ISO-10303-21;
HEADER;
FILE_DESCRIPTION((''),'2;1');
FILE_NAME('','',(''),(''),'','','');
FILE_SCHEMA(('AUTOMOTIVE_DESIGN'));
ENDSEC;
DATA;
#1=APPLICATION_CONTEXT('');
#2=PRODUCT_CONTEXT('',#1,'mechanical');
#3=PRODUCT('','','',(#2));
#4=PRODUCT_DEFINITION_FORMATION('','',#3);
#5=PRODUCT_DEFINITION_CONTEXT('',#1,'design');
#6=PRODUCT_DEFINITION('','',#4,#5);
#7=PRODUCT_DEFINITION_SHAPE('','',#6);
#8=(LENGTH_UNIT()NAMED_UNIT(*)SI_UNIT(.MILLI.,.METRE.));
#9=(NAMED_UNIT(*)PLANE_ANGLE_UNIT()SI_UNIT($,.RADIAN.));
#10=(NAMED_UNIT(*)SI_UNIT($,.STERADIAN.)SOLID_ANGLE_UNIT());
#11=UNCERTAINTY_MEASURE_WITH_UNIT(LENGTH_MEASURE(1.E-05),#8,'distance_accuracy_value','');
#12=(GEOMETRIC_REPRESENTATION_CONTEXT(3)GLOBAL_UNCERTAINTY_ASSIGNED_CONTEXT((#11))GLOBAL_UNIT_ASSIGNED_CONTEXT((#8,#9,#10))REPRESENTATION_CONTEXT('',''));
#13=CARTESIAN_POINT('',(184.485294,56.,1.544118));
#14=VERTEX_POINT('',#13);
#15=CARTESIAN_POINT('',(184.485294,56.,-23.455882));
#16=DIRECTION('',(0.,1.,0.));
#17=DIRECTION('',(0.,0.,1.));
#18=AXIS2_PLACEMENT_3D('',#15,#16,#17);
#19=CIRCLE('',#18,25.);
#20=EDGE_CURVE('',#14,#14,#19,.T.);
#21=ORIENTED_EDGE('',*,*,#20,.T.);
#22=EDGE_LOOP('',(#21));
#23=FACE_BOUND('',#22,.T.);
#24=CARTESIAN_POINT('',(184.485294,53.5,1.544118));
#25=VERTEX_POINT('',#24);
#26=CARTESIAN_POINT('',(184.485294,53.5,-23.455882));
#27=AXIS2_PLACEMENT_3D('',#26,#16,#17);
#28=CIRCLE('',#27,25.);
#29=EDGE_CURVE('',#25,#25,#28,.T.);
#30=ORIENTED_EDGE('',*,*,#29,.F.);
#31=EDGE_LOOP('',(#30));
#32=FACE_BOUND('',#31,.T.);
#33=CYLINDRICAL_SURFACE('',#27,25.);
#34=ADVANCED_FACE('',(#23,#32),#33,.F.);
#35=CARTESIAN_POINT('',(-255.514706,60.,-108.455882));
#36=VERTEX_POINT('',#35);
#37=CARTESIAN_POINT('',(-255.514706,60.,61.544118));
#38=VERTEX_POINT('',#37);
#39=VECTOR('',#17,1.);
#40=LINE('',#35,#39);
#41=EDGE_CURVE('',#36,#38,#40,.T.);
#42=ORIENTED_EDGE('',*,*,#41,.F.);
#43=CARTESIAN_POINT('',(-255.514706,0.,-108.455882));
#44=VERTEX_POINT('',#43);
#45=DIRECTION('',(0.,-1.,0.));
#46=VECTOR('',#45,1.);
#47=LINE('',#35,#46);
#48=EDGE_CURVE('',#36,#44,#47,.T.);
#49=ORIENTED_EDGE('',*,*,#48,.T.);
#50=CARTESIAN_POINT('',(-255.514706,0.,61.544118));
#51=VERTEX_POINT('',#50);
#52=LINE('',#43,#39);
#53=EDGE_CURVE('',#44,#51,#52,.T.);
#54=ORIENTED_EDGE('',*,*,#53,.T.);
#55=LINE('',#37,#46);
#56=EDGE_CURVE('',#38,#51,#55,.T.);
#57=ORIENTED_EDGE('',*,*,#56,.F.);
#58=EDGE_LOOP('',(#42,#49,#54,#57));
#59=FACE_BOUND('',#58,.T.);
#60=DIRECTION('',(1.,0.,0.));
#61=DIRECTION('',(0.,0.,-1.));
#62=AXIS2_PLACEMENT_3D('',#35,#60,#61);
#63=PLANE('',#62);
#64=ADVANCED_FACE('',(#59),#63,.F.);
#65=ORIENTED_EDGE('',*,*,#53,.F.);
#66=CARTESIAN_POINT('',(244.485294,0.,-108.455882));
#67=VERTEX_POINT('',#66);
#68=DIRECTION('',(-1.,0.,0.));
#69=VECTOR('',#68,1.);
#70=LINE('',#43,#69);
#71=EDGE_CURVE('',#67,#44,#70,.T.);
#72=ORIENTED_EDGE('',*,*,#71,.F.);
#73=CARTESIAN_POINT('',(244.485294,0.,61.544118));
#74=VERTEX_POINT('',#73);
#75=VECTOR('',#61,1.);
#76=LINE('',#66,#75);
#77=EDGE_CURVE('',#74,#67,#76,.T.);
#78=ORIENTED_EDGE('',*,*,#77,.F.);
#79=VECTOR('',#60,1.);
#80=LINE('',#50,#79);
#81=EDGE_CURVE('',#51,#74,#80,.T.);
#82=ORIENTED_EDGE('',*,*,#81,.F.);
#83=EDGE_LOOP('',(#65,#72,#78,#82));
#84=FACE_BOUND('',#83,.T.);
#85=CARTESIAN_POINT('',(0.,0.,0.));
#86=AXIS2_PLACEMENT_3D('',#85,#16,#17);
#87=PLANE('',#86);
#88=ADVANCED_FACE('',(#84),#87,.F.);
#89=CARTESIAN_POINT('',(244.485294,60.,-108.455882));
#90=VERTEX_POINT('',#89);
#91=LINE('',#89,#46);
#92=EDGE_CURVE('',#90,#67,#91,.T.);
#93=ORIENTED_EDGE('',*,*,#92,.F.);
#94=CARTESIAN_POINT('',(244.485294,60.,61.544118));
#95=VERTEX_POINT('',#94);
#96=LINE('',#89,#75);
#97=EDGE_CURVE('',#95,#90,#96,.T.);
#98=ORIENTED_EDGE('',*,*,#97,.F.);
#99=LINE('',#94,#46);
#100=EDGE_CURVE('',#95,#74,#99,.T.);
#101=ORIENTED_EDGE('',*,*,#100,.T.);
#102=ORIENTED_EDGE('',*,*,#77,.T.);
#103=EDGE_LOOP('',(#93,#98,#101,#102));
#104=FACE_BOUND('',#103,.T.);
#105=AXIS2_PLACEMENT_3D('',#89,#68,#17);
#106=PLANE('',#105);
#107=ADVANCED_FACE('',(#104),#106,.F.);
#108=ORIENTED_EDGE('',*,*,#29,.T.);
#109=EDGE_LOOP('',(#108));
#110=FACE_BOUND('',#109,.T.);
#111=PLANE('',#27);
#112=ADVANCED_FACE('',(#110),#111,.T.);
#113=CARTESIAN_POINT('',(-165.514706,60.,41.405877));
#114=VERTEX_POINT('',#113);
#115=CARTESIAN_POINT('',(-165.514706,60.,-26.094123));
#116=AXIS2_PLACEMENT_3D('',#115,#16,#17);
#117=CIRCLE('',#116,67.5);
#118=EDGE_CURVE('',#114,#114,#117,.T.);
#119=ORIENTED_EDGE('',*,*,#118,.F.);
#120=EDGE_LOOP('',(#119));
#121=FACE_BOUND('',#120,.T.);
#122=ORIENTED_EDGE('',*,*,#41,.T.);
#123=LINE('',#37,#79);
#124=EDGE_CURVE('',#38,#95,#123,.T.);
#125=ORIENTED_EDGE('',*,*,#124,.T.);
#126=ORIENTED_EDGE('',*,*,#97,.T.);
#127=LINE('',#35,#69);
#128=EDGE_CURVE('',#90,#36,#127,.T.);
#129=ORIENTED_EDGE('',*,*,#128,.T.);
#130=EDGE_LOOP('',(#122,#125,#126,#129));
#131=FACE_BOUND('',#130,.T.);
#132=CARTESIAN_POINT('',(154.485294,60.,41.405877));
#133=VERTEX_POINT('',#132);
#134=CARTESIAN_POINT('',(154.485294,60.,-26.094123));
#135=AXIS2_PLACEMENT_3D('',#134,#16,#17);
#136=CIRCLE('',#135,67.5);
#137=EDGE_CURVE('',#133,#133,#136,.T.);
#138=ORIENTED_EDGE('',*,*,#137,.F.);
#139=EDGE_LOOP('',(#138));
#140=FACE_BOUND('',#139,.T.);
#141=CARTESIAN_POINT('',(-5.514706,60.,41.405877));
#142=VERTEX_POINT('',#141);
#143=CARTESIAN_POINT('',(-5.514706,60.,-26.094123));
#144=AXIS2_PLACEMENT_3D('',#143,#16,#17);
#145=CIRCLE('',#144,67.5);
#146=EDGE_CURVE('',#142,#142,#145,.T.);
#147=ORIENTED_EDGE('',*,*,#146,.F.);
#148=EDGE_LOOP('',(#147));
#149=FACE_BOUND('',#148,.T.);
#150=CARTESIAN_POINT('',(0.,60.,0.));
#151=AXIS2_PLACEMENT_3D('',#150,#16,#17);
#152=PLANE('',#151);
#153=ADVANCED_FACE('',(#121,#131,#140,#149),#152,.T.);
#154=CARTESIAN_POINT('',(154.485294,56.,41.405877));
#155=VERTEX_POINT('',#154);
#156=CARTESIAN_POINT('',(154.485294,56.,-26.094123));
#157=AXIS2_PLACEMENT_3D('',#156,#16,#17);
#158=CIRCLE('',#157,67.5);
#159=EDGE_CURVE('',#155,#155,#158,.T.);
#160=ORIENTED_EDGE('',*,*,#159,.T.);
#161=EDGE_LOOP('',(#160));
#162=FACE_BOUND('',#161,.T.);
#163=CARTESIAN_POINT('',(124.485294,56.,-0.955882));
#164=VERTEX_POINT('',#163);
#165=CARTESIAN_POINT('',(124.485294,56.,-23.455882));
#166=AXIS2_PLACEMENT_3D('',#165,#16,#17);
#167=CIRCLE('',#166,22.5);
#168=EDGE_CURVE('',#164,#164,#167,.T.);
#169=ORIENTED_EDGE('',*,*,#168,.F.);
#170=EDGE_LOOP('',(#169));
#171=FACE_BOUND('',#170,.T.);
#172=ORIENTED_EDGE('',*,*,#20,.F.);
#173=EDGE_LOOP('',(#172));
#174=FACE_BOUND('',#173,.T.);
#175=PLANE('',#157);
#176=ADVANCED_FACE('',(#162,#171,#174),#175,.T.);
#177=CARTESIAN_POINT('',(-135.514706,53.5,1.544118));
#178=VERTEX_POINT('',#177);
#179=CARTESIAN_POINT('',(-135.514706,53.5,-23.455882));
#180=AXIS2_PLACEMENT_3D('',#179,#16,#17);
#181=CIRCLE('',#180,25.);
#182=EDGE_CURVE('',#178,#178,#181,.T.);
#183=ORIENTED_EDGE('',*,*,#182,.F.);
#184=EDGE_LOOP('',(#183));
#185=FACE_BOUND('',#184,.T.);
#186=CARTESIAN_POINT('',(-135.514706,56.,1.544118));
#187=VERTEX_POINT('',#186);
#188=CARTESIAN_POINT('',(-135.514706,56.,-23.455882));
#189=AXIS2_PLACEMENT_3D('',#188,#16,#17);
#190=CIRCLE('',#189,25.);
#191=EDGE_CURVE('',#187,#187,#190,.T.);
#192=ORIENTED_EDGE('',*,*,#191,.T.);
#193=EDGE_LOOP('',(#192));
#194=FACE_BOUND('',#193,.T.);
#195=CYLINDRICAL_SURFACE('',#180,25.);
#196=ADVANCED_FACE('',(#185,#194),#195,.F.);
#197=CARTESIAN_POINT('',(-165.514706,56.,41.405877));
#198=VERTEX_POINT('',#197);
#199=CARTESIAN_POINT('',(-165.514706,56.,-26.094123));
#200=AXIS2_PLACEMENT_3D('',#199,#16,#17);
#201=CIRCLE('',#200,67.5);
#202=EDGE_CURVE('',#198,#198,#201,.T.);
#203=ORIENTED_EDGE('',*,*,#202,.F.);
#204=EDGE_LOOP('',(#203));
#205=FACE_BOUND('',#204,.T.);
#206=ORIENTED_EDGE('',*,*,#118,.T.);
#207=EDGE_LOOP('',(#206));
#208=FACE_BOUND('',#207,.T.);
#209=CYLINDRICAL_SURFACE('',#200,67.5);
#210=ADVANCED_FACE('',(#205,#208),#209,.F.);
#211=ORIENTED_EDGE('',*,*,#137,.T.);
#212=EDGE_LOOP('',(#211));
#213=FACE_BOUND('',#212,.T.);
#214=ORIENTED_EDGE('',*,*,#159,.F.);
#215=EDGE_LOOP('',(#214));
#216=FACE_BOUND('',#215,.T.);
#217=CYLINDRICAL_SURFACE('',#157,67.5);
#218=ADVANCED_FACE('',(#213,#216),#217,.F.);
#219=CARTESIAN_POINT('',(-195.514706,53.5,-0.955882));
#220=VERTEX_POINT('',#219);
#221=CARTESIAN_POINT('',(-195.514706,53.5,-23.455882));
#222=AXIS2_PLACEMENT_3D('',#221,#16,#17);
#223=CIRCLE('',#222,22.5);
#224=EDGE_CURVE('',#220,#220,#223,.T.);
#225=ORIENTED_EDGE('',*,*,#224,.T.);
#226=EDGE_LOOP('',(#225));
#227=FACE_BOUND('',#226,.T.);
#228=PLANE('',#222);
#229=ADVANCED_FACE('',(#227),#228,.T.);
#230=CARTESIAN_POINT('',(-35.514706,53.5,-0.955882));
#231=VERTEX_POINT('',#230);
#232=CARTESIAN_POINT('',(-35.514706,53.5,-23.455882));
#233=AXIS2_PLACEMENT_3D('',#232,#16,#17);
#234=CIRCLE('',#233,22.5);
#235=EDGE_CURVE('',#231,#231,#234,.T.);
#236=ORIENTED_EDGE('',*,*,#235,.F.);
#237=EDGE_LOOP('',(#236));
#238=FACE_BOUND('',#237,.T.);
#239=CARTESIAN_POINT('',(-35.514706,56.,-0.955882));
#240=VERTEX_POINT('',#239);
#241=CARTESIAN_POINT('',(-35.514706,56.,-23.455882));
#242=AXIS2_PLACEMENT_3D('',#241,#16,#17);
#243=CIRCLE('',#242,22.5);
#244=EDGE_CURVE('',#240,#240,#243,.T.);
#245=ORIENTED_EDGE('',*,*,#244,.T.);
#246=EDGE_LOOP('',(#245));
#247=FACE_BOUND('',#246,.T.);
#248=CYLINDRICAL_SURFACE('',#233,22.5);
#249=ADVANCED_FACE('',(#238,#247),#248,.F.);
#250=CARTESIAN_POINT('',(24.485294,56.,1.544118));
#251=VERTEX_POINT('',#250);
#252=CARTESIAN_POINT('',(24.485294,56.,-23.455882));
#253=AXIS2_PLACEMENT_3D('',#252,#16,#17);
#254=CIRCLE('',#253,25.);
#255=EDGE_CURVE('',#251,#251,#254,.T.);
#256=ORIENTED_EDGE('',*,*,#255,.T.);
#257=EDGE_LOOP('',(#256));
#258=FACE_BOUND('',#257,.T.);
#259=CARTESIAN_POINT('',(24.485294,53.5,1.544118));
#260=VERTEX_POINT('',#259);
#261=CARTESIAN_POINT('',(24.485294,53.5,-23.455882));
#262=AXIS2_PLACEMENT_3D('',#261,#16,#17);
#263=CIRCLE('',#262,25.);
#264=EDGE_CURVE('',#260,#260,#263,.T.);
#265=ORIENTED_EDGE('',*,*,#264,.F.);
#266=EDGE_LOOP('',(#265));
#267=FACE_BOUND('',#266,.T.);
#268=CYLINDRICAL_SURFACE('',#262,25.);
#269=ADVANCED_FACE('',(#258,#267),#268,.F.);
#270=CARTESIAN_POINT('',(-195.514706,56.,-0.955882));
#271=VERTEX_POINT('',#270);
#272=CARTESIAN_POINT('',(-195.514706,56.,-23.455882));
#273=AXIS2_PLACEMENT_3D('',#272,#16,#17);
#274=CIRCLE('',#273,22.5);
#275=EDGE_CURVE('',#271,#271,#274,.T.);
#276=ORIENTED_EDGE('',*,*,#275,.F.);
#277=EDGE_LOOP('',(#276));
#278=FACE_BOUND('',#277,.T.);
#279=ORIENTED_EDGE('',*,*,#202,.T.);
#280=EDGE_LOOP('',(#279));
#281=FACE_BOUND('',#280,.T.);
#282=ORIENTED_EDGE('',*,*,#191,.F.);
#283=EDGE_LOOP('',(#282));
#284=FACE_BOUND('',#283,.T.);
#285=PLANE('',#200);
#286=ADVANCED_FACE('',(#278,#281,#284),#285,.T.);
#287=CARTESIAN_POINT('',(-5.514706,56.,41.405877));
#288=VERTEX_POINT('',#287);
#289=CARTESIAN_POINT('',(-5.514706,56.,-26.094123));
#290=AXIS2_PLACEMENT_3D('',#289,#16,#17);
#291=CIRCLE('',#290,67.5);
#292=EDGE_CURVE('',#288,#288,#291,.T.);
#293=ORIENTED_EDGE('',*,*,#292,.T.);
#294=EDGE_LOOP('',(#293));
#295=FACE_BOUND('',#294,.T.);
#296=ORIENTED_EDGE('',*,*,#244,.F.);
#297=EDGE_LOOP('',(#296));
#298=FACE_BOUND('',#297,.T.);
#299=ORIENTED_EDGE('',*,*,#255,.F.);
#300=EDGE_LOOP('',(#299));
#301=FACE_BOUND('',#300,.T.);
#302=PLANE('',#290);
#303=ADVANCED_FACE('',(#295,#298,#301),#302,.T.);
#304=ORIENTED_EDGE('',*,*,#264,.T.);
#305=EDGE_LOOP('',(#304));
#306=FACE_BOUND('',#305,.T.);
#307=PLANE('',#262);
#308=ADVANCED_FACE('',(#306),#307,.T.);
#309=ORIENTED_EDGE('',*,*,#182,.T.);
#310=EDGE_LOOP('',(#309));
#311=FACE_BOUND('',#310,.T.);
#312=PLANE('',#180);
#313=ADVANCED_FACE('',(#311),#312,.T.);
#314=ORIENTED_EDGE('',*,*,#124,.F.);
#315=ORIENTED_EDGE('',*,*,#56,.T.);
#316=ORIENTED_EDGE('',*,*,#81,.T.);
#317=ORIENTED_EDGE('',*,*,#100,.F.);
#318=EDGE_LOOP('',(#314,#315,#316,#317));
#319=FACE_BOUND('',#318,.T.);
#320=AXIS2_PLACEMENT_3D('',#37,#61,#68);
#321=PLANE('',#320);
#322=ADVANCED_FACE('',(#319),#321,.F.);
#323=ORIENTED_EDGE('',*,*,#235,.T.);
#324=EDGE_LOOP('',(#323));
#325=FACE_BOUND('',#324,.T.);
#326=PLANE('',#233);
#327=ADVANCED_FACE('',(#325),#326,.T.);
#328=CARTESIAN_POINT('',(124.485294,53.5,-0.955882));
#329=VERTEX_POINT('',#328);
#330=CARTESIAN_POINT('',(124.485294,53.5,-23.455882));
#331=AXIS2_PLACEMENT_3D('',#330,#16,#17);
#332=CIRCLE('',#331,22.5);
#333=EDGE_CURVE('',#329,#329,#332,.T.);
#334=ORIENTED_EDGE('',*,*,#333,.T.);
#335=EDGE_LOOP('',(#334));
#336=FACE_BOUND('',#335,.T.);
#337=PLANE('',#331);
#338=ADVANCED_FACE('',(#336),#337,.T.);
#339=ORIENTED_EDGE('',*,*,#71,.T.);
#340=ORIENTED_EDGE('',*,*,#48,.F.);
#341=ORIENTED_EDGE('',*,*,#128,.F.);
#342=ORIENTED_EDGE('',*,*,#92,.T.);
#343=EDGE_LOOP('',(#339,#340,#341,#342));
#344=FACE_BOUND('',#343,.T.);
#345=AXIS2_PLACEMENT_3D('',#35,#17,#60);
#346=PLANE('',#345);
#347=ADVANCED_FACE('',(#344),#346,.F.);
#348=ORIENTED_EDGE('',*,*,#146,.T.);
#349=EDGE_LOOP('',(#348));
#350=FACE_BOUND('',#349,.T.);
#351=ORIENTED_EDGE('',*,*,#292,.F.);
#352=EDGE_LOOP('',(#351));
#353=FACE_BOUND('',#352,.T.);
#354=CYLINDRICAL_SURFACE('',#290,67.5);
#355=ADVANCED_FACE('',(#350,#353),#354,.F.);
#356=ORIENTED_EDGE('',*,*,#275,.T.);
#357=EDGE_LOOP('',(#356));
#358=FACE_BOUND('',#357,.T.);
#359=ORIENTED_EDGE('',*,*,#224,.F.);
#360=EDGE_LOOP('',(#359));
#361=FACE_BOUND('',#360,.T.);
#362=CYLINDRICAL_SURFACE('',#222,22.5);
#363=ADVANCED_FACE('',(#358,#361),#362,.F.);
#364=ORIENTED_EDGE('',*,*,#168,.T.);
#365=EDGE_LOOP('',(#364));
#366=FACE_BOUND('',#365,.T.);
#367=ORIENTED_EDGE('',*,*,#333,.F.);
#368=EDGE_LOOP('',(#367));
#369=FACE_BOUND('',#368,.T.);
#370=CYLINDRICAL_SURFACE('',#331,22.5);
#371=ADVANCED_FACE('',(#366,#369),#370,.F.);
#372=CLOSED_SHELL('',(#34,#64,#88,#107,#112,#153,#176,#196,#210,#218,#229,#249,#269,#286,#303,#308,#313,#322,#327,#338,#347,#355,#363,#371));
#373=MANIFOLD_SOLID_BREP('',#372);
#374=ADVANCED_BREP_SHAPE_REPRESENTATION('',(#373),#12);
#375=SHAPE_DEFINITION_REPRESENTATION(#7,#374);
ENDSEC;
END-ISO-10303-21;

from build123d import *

# Parameters (mm, degrees)
SKETCH1_W           = 500
SKETCH1_H           = 170
BOSS_EXTRUDE1_DEPTH = 60
SKETCH3_R           = 67.5
CUT_EXTRUDE1_DEPTH  = 4
SKETCH4_R           = 25
SKETCH4_R_2         = 22.5
CUT_EXTRUDE2_DEPTH  = 2.5


with BuildPart() as part:
    # Sketch1 → Boss-Extrude1 (new body)
    with BuildSketch(Plane(origin=(0, 0, 0), x_dir=(1, 0, 0), z_dir=(0, 1, 0))):
        with Locations((-5.514705882, 23.455882353)):
            Rectangle(SKETCH1_W, SKETCH1_H)
    extrude(amount=BOSS_EXTRUDE1_DEPTH)

    # Sketch3 → Cut-Extrude1 (cut)
    with BuildSketch(Plane(origin=(0, 60, 0), x_dir=(1, 0, 0), z_dir=(0, 1, 0))):
        with Locations(Location((-5.514705882, 26.094123359, 0), (0, 0, 270))):
            Circle(SKETCH3_R)
        with Locations(Location((154.485294118, 26.094123359, 0), (0, 0, 270))):
            Circle(SKETCH3_R)
        with Locations(Location((-165.514705882, 26.094123359, 0), (0, 0, 270))):
            Circle(SKETCH3_R)
    extrude(amount=-CUT_EXTRUDE1_DEPTH, mode=Mode.SUBTRACT)

    # Sketch4 → Cut-Extrude2 (cut)
    with BuildSketch(Plane(origin=(0, 56, 0), x_dir=(1, 0, 0), z_dir=(0, 1, 0))):
        with Locations(Location((-135.514705882, 23.455882353, 0), (0, 0, 270))):
            Circle(SKETCH4_R)
        with Locations(Location((-195.514705882, 23.455882353, 0), (0, 0, 270))):
            Circle(SKETCH4_R_2)
        with Locations(Location((-35.514705882, 23.455882353, 0), (0, 0, 270))):
            Circle(SKETCH4_R_2)
        with Locations(Location((24.485294118, 23.455882353, 0), (0, 0, 270))):
            Circle(SKETCH4_R)
        with Locations(Location((124.485294118, 23.455882353, 0), (0, 0, 270))):
            Circle(SKETCH4_R_2)
        with Locations(Location((184.485294118, 23.455882353, 0), (0, 0, 270))):
            Circle(SKETCH4_R)
    extrude(amount=-CUT_EXTRUDE2_DEPTH, mode=Mode.SUBTRACT)


solid = part.part
